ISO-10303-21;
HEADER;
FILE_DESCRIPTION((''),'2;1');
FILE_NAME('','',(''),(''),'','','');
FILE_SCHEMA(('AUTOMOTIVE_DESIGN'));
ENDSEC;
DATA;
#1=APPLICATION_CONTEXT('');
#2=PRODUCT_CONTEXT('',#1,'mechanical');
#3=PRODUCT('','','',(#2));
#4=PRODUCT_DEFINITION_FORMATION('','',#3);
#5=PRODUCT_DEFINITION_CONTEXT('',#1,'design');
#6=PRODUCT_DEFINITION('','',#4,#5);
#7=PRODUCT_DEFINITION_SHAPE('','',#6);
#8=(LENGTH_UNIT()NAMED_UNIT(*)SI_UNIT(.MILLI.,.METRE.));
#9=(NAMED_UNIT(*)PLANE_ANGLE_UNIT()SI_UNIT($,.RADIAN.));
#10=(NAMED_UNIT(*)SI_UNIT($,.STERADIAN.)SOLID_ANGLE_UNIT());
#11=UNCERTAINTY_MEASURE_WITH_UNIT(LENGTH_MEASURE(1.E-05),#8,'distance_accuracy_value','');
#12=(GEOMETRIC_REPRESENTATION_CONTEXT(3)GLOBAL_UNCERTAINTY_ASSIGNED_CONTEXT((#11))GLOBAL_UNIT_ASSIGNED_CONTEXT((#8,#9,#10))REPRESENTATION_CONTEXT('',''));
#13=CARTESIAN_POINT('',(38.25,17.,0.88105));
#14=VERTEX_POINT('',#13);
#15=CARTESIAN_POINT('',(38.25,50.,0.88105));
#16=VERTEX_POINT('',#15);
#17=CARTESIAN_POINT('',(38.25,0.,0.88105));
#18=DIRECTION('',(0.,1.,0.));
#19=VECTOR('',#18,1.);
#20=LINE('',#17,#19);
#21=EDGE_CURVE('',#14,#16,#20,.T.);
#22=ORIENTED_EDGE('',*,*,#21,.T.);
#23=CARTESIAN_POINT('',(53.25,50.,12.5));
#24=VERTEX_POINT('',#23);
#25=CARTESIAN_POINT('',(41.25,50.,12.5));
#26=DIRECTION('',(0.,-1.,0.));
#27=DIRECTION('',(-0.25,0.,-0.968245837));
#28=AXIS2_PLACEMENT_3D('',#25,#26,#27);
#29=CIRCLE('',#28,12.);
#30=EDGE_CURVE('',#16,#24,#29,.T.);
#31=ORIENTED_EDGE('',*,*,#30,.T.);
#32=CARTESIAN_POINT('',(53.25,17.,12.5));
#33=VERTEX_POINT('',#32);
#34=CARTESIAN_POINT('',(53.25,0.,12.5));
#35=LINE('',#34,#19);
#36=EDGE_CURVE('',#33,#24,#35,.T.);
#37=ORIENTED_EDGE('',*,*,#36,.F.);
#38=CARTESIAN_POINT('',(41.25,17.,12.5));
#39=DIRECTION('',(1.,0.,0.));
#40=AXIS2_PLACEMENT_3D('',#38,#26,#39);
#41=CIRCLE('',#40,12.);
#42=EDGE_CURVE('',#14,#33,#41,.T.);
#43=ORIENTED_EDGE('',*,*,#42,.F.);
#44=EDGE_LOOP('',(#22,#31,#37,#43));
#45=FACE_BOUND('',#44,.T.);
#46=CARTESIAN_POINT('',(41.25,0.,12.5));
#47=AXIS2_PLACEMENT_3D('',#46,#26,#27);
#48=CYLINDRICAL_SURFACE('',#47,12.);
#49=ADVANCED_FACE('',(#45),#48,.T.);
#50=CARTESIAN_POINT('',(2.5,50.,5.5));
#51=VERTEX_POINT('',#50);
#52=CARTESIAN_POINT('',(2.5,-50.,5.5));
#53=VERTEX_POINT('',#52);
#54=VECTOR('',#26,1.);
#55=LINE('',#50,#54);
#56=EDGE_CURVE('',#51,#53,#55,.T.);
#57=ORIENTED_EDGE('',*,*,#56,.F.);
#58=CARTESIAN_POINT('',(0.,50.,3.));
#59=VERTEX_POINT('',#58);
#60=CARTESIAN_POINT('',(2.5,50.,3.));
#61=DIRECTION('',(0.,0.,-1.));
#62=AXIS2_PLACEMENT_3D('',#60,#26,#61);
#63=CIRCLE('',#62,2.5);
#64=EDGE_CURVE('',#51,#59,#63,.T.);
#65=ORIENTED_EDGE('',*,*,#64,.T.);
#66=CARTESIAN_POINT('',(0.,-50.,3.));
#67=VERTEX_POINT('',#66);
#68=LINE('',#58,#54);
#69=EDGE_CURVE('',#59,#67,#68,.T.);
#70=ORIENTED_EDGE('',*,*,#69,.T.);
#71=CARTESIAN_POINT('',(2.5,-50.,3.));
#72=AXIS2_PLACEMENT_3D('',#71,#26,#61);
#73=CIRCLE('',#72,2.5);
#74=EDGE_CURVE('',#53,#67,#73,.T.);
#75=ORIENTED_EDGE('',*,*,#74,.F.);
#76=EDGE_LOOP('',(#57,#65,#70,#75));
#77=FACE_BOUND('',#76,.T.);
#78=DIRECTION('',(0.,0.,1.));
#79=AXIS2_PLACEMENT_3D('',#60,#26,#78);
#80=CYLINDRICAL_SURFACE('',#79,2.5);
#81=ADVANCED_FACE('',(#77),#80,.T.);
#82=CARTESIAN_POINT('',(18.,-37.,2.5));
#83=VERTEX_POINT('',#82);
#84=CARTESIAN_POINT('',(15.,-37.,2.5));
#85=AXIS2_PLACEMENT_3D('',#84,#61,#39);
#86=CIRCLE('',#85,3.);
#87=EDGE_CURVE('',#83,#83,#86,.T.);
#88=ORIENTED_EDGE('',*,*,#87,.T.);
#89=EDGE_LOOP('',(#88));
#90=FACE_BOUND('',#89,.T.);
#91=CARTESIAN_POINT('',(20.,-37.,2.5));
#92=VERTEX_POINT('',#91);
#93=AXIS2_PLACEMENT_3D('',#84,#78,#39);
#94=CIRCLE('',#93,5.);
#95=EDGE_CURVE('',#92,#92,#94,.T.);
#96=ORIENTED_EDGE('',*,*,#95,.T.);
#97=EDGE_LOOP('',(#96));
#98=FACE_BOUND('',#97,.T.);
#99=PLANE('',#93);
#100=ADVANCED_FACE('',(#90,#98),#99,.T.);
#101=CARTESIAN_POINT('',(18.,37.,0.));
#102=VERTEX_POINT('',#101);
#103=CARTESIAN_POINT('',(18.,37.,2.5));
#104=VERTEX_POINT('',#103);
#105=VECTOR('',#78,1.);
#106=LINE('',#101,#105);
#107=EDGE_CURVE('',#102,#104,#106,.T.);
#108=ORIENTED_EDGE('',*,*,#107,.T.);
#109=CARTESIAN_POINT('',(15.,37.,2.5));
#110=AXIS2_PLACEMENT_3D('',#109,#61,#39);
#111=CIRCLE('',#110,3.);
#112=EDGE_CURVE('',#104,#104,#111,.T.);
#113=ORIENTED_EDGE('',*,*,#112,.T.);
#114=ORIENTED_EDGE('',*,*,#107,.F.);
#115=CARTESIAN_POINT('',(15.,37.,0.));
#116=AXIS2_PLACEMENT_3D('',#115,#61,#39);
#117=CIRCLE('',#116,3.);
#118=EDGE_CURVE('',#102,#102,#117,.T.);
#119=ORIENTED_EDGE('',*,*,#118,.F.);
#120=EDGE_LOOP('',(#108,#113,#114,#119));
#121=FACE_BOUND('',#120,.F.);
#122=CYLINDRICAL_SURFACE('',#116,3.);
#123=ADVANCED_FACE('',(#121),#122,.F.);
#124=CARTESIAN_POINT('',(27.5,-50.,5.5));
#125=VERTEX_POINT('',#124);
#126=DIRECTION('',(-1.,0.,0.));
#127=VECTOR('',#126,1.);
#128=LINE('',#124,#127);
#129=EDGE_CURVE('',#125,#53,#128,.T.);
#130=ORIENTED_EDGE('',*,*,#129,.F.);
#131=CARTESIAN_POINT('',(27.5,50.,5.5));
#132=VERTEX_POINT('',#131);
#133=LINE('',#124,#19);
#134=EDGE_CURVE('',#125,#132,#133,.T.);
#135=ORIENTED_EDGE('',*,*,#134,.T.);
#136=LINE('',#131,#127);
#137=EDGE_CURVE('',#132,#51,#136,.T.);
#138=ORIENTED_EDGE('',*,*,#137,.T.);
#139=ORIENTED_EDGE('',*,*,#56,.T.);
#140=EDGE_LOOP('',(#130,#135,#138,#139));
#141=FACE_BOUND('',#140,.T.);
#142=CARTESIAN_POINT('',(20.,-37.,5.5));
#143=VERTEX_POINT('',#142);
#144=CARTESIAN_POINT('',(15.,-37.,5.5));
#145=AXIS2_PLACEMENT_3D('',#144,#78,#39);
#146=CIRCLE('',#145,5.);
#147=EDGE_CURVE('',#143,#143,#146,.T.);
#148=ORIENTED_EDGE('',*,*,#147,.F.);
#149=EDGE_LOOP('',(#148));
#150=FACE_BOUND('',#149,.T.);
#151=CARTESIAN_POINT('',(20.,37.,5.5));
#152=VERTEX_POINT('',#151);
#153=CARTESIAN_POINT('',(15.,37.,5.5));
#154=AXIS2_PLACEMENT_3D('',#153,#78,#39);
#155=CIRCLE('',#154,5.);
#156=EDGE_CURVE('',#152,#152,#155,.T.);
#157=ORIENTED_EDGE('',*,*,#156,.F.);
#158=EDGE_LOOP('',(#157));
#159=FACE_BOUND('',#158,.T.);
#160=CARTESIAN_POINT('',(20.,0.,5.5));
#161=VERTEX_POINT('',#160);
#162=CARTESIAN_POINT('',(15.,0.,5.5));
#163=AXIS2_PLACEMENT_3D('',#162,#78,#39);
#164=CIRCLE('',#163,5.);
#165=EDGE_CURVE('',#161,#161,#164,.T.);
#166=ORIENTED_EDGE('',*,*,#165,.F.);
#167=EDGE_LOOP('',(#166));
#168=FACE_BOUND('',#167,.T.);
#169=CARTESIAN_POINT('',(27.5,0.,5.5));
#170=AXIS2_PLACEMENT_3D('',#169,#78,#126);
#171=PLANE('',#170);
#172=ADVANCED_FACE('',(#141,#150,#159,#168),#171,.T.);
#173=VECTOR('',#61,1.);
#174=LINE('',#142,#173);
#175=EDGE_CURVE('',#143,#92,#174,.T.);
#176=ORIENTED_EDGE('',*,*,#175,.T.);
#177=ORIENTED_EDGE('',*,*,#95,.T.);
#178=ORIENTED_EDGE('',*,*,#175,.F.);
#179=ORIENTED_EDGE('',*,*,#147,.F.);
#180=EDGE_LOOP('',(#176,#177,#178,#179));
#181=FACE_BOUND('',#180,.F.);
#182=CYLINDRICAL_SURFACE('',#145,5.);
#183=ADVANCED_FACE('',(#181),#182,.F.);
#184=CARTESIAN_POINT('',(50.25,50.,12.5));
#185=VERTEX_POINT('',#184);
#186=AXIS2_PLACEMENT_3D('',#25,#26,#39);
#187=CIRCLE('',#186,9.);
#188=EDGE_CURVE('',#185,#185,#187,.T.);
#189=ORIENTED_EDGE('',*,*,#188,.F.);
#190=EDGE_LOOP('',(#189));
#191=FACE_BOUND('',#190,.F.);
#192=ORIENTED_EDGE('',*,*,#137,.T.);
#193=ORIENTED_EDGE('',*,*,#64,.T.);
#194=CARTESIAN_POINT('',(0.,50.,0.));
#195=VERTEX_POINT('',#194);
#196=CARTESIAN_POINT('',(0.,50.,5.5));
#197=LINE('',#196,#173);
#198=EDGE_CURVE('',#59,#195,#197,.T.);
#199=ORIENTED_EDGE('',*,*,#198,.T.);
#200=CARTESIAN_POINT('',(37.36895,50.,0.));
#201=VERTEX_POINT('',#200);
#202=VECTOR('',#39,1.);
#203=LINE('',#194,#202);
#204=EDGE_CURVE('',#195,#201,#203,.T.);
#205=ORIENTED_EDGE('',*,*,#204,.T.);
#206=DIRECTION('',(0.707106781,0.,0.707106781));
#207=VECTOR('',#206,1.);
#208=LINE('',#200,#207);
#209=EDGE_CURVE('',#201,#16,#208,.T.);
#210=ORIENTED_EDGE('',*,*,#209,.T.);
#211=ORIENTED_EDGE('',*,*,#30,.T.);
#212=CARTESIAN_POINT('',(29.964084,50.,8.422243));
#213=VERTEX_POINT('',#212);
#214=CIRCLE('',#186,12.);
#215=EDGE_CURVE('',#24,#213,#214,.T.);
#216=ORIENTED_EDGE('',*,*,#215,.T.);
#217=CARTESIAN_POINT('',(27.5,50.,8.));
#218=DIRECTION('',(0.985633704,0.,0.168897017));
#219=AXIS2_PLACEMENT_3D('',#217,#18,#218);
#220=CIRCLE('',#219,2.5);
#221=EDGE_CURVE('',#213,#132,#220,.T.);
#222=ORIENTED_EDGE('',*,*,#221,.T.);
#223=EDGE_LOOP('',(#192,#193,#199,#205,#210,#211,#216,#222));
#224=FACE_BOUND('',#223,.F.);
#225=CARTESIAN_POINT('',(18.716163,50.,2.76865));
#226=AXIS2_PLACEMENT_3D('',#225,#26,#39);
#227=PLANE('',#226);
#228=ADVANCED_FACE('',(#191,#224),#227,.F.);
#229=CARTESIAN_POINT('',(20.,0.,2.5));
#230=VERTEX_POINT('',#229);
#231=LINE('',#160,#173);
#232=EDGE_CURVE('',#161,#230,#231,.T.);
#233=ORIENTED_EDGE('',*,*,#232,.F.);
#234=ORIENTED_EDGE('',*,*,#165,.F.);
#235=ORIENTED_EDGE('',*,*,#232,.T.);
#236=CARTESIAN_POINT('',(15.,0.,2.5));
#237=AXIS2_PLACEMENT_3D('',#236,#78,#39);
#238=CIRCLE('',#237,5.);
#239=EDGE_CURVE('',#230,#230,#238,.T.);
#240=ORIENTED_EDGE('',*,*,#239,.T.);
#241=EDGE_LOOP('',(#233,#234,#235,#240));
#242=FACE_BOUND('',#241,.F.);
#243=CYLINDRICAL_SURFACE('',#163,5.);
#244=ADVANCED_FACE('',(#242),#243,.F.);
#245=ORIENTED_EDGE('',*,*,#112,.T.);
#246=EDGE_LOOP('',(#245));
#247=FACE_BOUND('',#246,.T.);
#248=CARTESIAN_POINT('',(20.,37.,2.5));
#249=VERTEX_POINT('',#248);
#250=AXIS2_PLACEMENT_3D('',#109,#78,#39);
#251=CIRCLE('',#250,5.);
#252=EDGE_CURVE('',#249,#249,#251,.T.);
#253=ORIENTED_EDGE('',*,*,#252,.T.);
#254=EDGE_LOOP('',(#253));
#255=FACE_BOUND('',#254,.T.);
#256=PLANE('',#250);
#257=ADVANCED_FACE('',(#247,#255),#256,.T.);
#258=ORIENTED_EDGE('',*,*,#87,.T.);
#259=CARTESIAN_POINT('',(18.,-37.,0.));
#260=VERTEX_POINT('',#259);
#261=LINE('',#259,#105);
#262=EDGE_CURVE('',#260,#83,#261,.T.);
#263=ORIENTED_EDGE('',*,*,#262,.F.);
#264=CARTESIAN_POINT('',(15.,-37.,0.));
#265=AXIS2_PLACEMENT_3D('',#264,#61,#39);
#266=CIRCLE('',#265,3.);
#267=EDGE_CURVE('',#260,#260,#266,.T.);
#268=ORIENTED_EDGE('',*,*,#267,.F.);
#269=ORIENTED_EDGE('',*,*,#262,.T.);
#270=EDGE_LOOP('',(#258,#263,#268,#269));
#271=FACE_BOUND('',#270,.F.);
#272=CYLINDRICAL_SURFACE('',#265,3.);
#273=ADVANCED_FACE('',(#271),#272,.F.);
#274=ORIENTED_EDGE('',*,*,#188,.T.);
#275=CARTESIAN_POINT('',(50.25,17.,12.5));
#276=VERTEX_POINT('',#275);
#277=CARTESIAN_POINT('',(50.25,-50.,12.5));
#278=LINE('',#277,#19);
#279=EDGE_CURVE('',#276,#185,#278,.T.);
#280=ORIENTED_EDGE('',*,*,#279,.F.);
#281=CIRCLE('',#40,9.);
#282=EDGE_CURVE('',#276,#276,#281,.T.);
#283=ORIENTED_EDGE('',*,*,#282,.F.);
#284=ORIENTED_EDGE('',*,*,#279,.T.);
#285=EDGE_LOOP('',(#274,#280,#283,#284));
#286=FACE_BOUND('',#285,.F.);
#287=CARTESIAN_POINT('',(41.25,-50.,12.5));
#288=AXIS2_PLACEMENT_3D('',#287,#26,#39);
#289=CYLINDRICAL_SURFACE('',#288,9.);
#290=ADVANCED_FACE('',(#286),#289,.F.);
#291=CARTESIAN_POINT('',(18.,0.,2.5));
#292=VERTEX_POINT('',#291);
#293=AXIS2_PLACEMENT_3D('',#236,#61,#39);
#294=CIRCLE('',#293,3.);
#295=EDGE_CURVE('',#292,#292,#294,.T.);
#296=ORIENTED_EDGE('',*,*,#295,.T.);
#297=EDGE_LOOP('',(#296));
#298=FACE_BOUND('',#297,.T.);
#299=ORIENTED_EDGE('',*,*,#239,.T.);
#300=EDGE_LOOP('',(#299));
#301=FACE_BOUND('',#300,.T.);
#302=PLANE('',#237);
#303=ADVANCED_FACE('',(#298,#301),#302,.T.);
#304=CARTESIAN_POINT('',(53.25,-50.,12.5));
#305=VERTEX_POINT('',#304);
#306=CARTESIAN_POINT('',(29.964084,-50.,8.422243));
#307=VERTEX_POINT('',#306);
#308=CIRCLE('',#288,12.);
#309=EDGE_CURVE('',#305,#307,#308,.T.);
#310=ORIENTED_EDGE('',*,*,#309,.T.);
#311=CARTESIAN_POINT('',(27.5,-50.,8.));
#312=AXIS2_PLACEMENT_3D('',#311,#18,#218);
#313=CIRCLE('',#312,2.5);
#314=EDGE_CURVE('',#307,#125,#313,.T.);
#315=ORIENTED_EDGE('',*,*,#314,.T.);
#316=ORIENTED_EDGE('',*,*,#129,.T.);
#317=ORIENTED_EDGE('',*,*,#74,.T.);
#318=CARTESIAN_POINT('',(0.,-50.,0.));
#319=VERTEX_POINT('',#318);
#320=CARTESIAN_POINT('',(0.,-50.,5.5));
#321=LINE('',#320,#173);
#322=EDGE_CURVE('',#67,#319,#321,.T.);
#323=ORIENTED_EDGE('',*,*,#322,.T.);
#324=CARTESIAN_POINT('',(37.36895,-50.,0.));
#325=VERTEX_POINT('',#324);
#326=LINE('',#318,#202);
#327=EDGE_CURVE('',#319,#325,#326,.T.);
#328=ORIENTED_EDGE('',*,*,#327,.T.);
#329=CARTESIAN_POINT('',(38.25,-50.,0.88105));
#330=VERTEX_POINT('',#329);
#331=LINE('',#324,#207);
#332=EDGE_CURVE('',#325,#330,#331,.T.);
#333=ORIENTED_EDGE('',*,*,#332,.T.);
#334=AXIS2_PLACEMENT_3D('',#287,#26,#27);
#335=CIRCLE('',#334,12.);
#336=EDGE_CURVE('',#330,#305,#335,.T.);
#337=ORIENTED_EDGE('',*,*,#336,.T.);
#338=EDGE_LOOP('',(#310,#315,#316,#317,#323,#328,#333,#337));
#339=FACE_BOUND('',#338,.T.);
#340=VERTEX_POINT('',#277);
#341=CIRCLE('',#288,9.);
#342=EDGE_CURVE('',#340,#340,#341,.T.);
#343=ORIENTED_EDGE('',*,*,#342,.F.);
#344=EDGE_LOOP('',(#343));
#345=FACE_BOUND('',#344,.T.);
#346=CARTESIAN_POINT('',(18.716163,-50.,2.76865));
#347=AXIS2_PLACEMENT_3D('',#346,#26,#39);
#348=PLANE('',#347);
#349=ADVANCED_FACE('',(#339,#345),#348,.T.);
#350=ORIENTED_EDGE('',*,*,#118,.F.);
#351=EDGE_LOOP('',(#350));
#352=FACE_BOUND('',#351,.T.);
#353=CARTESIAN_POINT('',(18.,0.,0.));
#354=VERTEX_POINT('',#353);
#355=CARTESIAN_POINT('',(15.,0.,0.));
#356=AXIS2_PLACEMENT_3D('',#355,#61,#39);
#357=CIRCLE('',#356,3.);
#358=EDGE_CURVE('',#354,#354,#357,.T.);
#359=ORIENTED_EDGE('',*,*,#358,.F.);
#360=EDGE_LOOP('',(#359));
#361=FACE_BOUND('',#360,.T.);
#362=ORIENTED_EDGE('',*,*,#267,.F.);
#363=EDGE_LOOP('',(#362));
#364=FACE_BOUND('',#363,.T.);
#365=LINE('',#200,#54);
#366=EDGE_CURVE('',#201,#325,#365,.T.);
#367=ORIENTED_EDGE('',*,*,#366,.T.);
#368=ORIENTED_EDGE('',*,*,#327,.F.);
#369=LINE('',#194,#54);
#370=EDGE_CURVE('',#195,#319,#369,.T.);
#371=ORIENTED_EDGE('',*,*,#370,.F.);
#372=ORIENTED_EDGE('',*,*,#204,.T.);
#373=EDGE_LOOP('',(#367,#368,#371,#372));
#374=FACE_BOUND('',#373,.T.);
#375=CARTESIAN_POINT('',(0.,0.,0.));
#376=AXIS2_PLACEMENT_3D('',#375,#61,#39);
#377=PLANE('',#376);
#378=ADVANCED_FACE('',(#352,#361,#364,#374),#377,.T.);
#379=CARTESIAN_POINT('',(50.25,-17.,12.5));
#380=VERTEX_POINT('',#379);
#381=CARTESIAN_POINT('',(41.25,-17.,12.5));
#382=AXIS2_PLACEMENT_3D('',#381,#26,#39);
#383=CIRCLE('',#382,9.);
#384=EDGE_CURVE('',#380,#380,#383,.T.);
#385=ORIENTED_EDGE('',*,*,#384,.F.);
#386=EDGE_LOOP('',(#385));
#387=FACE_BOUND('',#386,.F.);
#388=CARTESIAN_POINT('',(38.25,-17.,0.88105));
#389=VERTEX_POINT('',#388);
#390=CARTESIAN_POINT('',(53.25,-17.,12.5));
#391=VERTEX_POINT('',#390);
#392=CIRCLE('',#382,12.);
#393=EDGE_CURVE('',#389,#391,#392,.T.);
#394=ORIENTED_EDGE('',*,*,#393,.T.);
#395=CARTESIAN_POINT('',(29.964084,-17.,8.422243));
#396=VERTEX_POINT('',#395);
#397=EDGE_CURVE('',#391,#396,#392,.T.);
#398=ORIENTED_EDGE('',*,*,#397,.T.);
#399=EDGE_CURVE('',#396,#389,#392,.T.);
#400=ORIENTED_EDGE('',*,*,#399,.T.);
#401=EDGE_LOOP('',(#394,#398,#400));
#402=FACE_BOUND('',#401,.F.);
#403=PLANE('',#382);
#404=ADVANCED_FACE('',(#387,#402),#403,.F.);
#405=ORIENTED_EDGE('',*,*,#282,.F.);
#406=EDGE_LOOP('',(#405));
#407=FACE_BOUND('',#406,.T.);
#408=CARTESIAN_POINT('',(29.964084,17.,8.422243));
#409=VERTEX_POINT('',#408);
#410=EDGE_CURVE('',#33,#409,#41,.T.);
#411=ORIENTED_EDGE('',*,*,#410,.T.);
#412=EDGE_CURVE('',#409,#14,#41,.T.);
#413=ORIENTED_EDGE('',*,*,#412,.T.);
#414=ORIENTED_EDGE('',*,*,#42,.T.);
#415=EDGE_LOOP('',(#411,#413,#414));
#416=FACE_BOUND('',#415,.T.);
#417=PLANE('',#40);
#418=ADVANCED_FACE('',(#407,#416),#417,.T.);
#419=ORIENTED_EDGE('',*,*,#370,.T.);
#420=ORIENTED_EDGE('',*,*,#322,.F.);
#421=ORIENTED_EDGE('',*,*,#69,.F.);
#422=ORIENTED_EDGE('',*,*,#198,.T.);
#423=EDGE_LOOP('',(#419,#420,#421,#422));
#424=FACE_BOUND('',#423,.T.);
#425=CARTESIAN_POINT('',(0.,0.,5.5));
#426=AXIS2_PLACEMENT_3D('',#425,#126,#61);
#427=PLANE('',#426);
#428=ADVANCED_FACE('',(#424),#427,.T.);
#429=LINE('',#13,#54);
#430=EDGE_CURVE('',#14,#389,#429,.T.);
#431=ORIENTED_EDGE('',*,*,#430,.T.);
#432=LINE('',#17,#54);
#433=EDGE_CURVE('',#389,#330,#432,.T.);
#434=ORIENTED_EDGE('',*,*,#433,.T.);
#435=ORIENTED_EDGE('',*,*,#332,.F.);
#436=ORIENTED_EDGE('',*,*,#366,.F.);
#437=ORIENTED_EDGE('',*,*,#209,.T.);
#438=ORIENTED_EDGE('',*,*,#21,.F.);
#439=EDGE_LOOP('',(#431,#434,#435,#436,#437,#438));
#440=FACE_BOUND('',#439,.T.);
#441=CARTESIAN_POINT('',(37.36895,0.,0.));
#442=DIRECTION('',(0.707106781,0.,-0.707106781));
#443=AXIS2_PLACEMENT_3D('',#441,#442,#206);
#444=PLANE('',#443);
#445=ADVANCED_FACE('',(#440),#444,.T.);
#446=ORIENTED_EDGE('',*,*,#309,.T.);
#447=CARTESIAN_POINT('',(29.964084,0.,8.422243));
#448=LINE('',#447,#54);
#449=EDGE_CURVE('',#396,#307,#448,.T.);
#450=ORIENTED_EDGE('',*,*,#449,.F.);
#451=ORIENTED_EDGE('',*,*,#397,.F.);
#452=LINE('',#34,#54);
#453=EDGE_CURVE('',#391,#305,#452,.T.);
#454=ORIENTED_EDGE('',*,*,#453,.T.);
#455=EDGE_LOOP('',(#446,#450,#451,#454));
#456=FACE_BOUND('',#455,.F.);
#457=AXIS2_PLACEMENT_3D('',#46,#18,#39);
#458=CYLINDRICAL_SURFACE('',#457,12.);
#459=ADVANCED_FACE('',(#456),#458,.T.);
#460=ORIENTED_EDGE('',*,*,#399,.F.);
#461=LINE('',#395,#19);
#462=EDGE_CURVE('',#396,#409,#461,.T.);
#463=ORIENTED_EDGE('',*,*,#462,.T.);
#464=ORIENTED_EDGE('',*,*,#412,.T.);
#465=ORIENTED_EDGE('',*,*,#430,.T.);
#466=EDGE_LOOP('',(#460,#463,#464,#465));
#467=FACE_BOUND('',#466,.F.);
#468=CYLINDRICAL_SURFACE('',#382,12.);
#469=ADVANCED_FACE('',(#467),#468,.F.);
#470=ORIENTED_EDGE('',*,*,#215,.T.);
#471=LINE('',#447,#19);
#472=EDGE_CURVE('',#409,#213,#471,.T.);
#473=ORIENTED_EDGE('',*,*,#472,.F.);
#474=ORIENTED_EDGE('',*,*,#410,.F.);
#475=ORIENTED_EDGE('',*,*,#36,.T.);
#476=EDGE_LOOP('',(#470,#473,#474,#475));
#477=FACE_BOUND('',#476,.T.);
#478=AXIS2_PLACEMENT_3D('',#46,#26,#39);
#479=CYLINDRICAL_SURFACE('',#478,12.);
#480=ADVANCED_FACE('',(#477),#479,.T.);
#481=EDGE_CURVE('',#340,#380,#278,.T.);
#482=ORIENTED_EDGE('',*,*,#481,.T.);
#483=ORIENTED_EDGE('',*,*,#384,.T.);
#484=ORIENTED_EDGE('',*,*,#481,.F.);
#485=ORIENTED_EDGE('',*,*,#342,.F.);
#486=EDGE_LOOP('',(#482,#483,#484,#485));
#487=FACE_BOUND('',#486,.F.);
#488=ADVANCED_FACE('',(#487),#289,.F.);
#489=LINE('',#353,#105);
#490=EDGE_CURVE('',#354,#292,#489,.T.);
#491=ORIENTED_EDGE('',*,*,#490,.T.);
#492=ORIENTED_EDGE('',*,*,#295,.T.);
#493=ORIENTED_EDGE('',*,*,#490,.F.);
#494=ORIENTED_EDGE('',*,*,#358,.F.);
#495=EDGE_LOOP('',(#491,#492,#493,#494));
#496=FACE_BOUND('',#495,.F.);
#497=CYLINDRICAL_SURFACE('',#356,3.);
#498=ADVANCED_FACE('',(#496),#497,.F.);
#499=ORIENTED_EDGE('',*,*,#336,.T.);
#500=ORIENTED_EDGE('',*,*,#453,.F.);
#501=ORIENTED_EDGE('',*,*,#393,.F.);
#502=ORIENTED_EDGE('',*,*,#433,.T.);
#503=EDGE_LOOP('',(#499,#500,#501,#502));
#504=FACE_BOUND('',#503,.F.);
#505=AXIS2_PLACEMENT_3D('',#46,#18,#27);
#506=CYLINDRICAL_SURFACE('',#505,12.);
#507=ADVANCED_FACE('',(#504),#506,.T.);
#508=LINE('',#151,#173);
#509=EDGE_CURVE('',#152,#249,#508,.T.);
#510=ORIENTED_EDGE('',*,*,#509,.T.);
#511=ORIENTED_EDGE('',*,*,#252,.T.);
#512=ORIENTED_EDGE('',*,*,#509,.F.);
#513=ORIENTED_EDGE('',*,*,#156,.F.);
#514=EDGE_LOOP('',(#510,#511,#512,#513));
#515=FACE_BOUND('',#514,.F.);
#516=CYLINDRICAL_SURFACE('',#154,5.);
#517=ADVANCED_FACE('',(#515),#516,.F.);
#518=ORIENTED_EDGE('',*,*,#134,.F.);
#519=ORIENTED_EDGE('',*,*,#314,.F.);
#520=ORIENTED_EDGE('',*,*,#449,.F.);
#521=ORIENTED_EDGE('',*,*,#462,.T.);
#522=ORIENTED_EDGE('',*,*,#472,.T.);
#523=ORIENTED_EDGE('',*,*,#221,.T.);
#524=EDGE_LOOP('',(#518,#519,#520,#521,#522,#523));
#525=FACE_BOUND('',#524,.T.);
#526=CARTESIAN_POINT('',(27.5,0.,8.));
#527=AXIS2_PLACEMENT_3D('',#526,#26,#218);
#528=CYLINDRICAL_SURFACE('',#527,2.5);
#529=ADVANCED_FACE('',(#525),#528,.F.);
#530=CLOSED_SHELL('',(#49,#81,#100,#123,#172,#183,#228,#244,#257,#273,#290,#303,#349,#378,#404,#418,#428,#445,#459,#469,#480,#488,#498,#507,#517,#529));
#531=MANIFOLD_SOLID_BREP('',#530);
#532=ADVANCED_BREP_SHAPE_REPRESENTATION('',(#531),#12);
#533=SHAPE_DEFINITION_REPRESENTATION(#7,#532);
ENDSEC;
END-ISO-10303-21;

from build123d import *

# Parameters (mm, degrees)
F1_DEPTH  = 50
F2_R      = 2.5
F3_R      = 9
F4_DEPTH  = 100
F6_START  = -33
F5_R      = 12
F6_DEPTH  = 34
F7_R      = 5
F9_DEPTH  = 3
F8_R      = 3
F10_DEPTH = 2.5


with BuildPart() as f1:
    # F0 (on Front) → F1 (new body, symmetric)
    with BuildSketch(Plane.XZ):
        with BuildLine():
            Line((27.5, 5.5), (0, 5.5))
            Line((0, 5.5), (0, 0))
            Line((0, 0), (37.3689500386, 0))
            Line((37.3689500386, 0), (38.25, 0.8810499614))
            ThreePointArc((38.25, 0.8810499614), (33.172918626, 3.6252742871), (29.9640842591, 8.4222425415))
            ThreePointArc((29.9640842591, 8.4222425415), (29.4112308016, 6.388417913), (27.5, 5.5))
        make_face()
        with BuildLine():
            ThreePointArc((53.25, 12.5), (39.1800952788, 24.320130898), (29.9640842591, 8.4222425415))
            ThreePointArc((29.9640842591, 8.4222425415), (33.172918626, 3.6252742871), (38.25, 0.8810499614))
            ThreePointArc((38.25, 0.8810499614), (48.5984692283, 3.0131670195), (53.25, 12.5))
        make_face()
    extrude(amount=F1_DEPTH, both=True)

    # F2
    f2_edges = [f1.edges().sort_by_distance(p)[0] for p in [
        (0, 0, 5.5),
    ]]
    fillet(f2_edges, radius=F2_R)

    # F3 (on face) → F4 (cut, through all)
    with BuildSketch(Plane.XZ.offset(50)):
        with Locations((41.25, 12.5)):
            Circle(F3_R)
    extrude(amount=-F4_DEPTH, mode=Mode.SUBTRACT)

    # F5 (on face) → F6 (cut)
    with BuildSketch(Plane.XZ.offset(50).offset(F6_START)):
        with Locations((41.25, 12.5)):
            Circle(F5_R)
    extrude(amount=-F6_DEPTH, mode=Mode.SUBTRACT)

    # F7 (on face) → F9 (cut)
    with BuildSketch(Plane.XY.offset(5.5)):
        with Locations((15, 0)):
            Circle(F7_R)
        with Locations((15, 37)):
            Circle(F7_R)
        with Locations((15, -37)):
            Circle(F7_R)
    extrude(amount=-F9_DEPTH, mode=Mode.SUBTRACT)

    # F8 (on face) → F10 (cut, through all)
    with BuildSketch(Plane(origin=(0, 0, 0), x_dir=(1, 0, 0), z_dir=(0, 0, -1))):
        with Locations((15, -37)):
            Circle(F8_R)
        with Locations((15, 0)):
            Circle(F8_R)
        with Locations((15, 37)):
            Circle(F8_R)
    extrude(amount=-F10_DEPTH, mode=Mode.SUBTRACT)


solid = f1.part
